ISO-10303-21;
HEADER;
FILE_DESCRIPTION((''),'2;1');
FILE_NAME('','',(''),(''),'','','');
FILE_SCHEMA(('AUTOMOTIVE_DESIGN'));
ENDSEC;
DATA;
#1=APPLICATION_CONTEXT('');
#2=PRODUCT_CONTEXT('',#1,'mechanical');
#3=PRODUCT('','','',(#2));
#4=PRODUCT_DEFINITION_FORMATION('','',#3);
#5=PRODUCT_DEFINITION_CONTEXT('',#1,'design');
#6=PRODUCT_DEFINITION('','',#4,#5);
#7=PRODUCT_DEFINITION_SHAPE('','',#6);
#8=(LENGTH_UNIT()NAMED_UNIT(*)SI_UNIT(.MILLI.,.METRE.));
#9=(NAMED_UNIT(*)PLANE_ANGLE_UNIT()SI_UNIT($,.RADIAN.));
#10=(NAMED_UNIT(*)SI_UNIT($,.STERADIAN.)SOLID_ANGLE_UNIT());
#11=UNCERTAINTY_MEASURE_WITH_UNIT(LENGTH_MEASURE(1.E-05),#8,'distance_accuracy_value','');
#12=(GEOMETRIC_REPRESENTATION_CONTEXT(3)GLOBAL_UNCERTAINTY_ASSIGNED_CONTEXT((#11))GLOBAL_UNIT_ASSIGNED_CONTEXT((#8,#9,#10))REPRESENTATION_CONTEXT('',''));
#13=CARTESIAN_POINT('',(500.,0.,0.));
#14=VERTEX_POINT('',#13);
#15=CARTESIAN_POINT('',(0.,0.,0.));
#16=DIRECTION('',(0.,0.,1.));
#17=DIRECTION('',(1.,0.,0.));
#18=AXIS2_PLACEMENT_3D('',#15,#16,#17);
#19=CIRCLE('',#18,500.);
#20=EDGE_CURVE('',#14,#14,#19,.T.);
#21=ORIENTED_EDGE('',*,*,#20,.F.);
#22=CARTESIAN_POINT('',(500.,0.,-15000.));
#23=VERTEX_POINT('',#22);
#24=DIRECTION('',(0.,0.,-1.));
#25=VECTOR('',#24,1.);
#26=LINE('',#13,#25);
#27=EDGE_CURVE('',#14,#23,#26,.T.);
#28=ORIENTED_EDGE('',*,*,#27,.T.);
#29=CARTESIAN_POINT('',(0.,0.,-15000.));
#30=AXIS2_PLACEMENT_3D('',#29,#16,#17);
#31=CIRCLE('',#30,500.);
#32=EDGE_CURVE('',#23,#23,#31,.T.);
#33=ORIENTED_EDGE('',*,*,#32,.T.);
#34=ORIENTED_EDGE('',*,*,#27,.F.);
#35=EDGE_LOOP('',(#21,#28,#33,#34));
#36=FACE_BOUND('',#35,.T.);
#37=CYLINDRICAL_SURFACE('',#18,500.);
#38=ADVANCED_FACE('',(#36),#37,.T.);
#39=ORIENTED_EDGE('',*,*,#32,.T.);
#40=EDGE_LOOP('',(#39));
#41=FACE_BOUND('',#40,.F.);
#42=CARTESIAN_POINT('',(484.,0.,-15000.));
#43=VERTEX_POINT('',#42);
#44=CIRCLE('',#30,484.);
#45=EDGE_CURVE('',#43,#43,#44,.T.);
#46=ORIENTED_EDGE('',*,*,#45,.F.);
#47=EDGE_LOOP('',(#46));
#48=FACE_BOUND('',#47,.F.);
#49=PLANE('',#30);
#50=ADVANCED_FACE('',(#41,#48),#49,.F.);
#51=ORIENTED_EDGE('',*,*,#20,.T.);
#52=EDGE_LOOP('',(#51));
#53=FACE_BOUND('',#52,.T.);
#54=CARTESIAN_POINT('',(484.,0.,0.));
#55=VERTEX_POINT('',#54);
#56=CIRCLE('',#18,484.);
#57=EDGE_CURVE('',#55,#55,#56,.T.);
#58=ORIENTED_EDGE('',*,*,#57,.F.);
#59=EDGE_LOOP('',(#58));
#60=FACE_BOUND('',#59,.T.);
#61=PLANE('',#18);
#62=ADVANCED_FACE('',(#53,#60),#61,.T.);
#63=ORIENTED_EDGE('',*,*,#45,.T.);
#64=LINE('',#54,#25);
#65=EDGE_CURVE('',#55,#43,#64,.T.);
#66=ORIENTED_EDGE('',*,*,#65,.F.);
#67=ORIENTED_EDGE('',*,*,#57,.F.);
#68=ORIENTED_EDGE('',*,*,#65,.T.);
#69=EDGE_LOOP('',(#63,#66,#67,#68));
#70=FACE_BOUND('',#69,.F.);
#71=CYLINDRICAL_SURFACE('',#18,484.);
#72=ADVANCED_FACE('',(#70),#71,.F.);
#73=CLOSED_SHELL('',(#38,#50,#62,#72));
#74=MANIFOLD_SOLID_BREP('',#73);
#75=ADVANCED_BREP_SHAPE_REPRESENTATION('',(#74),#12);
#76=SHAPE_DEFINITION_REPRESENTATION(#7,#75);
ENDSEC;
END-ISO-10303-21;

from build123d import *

# Parameters (mm, degrees)
F0_R     = 500
F1_DEPTH = 15000
F2_R     = 484
F3_DEPTH = 15000.001


with BuildPart() as f1:
    # F0 (on Top) → F1 (new body)
    with BuildSketch(Plane.XY):
        Circle(F0_R)
    extrude(amount=-F1_DEPTH)

    # F2 (on Top) → F3 (cut, through all)
    with BuildSketch(Plane.XY):
        Circle(F2_R)
    extrude(amount=-F3_DEPTH, mode=Mode.SUBTRACT)


solid = f1.part
